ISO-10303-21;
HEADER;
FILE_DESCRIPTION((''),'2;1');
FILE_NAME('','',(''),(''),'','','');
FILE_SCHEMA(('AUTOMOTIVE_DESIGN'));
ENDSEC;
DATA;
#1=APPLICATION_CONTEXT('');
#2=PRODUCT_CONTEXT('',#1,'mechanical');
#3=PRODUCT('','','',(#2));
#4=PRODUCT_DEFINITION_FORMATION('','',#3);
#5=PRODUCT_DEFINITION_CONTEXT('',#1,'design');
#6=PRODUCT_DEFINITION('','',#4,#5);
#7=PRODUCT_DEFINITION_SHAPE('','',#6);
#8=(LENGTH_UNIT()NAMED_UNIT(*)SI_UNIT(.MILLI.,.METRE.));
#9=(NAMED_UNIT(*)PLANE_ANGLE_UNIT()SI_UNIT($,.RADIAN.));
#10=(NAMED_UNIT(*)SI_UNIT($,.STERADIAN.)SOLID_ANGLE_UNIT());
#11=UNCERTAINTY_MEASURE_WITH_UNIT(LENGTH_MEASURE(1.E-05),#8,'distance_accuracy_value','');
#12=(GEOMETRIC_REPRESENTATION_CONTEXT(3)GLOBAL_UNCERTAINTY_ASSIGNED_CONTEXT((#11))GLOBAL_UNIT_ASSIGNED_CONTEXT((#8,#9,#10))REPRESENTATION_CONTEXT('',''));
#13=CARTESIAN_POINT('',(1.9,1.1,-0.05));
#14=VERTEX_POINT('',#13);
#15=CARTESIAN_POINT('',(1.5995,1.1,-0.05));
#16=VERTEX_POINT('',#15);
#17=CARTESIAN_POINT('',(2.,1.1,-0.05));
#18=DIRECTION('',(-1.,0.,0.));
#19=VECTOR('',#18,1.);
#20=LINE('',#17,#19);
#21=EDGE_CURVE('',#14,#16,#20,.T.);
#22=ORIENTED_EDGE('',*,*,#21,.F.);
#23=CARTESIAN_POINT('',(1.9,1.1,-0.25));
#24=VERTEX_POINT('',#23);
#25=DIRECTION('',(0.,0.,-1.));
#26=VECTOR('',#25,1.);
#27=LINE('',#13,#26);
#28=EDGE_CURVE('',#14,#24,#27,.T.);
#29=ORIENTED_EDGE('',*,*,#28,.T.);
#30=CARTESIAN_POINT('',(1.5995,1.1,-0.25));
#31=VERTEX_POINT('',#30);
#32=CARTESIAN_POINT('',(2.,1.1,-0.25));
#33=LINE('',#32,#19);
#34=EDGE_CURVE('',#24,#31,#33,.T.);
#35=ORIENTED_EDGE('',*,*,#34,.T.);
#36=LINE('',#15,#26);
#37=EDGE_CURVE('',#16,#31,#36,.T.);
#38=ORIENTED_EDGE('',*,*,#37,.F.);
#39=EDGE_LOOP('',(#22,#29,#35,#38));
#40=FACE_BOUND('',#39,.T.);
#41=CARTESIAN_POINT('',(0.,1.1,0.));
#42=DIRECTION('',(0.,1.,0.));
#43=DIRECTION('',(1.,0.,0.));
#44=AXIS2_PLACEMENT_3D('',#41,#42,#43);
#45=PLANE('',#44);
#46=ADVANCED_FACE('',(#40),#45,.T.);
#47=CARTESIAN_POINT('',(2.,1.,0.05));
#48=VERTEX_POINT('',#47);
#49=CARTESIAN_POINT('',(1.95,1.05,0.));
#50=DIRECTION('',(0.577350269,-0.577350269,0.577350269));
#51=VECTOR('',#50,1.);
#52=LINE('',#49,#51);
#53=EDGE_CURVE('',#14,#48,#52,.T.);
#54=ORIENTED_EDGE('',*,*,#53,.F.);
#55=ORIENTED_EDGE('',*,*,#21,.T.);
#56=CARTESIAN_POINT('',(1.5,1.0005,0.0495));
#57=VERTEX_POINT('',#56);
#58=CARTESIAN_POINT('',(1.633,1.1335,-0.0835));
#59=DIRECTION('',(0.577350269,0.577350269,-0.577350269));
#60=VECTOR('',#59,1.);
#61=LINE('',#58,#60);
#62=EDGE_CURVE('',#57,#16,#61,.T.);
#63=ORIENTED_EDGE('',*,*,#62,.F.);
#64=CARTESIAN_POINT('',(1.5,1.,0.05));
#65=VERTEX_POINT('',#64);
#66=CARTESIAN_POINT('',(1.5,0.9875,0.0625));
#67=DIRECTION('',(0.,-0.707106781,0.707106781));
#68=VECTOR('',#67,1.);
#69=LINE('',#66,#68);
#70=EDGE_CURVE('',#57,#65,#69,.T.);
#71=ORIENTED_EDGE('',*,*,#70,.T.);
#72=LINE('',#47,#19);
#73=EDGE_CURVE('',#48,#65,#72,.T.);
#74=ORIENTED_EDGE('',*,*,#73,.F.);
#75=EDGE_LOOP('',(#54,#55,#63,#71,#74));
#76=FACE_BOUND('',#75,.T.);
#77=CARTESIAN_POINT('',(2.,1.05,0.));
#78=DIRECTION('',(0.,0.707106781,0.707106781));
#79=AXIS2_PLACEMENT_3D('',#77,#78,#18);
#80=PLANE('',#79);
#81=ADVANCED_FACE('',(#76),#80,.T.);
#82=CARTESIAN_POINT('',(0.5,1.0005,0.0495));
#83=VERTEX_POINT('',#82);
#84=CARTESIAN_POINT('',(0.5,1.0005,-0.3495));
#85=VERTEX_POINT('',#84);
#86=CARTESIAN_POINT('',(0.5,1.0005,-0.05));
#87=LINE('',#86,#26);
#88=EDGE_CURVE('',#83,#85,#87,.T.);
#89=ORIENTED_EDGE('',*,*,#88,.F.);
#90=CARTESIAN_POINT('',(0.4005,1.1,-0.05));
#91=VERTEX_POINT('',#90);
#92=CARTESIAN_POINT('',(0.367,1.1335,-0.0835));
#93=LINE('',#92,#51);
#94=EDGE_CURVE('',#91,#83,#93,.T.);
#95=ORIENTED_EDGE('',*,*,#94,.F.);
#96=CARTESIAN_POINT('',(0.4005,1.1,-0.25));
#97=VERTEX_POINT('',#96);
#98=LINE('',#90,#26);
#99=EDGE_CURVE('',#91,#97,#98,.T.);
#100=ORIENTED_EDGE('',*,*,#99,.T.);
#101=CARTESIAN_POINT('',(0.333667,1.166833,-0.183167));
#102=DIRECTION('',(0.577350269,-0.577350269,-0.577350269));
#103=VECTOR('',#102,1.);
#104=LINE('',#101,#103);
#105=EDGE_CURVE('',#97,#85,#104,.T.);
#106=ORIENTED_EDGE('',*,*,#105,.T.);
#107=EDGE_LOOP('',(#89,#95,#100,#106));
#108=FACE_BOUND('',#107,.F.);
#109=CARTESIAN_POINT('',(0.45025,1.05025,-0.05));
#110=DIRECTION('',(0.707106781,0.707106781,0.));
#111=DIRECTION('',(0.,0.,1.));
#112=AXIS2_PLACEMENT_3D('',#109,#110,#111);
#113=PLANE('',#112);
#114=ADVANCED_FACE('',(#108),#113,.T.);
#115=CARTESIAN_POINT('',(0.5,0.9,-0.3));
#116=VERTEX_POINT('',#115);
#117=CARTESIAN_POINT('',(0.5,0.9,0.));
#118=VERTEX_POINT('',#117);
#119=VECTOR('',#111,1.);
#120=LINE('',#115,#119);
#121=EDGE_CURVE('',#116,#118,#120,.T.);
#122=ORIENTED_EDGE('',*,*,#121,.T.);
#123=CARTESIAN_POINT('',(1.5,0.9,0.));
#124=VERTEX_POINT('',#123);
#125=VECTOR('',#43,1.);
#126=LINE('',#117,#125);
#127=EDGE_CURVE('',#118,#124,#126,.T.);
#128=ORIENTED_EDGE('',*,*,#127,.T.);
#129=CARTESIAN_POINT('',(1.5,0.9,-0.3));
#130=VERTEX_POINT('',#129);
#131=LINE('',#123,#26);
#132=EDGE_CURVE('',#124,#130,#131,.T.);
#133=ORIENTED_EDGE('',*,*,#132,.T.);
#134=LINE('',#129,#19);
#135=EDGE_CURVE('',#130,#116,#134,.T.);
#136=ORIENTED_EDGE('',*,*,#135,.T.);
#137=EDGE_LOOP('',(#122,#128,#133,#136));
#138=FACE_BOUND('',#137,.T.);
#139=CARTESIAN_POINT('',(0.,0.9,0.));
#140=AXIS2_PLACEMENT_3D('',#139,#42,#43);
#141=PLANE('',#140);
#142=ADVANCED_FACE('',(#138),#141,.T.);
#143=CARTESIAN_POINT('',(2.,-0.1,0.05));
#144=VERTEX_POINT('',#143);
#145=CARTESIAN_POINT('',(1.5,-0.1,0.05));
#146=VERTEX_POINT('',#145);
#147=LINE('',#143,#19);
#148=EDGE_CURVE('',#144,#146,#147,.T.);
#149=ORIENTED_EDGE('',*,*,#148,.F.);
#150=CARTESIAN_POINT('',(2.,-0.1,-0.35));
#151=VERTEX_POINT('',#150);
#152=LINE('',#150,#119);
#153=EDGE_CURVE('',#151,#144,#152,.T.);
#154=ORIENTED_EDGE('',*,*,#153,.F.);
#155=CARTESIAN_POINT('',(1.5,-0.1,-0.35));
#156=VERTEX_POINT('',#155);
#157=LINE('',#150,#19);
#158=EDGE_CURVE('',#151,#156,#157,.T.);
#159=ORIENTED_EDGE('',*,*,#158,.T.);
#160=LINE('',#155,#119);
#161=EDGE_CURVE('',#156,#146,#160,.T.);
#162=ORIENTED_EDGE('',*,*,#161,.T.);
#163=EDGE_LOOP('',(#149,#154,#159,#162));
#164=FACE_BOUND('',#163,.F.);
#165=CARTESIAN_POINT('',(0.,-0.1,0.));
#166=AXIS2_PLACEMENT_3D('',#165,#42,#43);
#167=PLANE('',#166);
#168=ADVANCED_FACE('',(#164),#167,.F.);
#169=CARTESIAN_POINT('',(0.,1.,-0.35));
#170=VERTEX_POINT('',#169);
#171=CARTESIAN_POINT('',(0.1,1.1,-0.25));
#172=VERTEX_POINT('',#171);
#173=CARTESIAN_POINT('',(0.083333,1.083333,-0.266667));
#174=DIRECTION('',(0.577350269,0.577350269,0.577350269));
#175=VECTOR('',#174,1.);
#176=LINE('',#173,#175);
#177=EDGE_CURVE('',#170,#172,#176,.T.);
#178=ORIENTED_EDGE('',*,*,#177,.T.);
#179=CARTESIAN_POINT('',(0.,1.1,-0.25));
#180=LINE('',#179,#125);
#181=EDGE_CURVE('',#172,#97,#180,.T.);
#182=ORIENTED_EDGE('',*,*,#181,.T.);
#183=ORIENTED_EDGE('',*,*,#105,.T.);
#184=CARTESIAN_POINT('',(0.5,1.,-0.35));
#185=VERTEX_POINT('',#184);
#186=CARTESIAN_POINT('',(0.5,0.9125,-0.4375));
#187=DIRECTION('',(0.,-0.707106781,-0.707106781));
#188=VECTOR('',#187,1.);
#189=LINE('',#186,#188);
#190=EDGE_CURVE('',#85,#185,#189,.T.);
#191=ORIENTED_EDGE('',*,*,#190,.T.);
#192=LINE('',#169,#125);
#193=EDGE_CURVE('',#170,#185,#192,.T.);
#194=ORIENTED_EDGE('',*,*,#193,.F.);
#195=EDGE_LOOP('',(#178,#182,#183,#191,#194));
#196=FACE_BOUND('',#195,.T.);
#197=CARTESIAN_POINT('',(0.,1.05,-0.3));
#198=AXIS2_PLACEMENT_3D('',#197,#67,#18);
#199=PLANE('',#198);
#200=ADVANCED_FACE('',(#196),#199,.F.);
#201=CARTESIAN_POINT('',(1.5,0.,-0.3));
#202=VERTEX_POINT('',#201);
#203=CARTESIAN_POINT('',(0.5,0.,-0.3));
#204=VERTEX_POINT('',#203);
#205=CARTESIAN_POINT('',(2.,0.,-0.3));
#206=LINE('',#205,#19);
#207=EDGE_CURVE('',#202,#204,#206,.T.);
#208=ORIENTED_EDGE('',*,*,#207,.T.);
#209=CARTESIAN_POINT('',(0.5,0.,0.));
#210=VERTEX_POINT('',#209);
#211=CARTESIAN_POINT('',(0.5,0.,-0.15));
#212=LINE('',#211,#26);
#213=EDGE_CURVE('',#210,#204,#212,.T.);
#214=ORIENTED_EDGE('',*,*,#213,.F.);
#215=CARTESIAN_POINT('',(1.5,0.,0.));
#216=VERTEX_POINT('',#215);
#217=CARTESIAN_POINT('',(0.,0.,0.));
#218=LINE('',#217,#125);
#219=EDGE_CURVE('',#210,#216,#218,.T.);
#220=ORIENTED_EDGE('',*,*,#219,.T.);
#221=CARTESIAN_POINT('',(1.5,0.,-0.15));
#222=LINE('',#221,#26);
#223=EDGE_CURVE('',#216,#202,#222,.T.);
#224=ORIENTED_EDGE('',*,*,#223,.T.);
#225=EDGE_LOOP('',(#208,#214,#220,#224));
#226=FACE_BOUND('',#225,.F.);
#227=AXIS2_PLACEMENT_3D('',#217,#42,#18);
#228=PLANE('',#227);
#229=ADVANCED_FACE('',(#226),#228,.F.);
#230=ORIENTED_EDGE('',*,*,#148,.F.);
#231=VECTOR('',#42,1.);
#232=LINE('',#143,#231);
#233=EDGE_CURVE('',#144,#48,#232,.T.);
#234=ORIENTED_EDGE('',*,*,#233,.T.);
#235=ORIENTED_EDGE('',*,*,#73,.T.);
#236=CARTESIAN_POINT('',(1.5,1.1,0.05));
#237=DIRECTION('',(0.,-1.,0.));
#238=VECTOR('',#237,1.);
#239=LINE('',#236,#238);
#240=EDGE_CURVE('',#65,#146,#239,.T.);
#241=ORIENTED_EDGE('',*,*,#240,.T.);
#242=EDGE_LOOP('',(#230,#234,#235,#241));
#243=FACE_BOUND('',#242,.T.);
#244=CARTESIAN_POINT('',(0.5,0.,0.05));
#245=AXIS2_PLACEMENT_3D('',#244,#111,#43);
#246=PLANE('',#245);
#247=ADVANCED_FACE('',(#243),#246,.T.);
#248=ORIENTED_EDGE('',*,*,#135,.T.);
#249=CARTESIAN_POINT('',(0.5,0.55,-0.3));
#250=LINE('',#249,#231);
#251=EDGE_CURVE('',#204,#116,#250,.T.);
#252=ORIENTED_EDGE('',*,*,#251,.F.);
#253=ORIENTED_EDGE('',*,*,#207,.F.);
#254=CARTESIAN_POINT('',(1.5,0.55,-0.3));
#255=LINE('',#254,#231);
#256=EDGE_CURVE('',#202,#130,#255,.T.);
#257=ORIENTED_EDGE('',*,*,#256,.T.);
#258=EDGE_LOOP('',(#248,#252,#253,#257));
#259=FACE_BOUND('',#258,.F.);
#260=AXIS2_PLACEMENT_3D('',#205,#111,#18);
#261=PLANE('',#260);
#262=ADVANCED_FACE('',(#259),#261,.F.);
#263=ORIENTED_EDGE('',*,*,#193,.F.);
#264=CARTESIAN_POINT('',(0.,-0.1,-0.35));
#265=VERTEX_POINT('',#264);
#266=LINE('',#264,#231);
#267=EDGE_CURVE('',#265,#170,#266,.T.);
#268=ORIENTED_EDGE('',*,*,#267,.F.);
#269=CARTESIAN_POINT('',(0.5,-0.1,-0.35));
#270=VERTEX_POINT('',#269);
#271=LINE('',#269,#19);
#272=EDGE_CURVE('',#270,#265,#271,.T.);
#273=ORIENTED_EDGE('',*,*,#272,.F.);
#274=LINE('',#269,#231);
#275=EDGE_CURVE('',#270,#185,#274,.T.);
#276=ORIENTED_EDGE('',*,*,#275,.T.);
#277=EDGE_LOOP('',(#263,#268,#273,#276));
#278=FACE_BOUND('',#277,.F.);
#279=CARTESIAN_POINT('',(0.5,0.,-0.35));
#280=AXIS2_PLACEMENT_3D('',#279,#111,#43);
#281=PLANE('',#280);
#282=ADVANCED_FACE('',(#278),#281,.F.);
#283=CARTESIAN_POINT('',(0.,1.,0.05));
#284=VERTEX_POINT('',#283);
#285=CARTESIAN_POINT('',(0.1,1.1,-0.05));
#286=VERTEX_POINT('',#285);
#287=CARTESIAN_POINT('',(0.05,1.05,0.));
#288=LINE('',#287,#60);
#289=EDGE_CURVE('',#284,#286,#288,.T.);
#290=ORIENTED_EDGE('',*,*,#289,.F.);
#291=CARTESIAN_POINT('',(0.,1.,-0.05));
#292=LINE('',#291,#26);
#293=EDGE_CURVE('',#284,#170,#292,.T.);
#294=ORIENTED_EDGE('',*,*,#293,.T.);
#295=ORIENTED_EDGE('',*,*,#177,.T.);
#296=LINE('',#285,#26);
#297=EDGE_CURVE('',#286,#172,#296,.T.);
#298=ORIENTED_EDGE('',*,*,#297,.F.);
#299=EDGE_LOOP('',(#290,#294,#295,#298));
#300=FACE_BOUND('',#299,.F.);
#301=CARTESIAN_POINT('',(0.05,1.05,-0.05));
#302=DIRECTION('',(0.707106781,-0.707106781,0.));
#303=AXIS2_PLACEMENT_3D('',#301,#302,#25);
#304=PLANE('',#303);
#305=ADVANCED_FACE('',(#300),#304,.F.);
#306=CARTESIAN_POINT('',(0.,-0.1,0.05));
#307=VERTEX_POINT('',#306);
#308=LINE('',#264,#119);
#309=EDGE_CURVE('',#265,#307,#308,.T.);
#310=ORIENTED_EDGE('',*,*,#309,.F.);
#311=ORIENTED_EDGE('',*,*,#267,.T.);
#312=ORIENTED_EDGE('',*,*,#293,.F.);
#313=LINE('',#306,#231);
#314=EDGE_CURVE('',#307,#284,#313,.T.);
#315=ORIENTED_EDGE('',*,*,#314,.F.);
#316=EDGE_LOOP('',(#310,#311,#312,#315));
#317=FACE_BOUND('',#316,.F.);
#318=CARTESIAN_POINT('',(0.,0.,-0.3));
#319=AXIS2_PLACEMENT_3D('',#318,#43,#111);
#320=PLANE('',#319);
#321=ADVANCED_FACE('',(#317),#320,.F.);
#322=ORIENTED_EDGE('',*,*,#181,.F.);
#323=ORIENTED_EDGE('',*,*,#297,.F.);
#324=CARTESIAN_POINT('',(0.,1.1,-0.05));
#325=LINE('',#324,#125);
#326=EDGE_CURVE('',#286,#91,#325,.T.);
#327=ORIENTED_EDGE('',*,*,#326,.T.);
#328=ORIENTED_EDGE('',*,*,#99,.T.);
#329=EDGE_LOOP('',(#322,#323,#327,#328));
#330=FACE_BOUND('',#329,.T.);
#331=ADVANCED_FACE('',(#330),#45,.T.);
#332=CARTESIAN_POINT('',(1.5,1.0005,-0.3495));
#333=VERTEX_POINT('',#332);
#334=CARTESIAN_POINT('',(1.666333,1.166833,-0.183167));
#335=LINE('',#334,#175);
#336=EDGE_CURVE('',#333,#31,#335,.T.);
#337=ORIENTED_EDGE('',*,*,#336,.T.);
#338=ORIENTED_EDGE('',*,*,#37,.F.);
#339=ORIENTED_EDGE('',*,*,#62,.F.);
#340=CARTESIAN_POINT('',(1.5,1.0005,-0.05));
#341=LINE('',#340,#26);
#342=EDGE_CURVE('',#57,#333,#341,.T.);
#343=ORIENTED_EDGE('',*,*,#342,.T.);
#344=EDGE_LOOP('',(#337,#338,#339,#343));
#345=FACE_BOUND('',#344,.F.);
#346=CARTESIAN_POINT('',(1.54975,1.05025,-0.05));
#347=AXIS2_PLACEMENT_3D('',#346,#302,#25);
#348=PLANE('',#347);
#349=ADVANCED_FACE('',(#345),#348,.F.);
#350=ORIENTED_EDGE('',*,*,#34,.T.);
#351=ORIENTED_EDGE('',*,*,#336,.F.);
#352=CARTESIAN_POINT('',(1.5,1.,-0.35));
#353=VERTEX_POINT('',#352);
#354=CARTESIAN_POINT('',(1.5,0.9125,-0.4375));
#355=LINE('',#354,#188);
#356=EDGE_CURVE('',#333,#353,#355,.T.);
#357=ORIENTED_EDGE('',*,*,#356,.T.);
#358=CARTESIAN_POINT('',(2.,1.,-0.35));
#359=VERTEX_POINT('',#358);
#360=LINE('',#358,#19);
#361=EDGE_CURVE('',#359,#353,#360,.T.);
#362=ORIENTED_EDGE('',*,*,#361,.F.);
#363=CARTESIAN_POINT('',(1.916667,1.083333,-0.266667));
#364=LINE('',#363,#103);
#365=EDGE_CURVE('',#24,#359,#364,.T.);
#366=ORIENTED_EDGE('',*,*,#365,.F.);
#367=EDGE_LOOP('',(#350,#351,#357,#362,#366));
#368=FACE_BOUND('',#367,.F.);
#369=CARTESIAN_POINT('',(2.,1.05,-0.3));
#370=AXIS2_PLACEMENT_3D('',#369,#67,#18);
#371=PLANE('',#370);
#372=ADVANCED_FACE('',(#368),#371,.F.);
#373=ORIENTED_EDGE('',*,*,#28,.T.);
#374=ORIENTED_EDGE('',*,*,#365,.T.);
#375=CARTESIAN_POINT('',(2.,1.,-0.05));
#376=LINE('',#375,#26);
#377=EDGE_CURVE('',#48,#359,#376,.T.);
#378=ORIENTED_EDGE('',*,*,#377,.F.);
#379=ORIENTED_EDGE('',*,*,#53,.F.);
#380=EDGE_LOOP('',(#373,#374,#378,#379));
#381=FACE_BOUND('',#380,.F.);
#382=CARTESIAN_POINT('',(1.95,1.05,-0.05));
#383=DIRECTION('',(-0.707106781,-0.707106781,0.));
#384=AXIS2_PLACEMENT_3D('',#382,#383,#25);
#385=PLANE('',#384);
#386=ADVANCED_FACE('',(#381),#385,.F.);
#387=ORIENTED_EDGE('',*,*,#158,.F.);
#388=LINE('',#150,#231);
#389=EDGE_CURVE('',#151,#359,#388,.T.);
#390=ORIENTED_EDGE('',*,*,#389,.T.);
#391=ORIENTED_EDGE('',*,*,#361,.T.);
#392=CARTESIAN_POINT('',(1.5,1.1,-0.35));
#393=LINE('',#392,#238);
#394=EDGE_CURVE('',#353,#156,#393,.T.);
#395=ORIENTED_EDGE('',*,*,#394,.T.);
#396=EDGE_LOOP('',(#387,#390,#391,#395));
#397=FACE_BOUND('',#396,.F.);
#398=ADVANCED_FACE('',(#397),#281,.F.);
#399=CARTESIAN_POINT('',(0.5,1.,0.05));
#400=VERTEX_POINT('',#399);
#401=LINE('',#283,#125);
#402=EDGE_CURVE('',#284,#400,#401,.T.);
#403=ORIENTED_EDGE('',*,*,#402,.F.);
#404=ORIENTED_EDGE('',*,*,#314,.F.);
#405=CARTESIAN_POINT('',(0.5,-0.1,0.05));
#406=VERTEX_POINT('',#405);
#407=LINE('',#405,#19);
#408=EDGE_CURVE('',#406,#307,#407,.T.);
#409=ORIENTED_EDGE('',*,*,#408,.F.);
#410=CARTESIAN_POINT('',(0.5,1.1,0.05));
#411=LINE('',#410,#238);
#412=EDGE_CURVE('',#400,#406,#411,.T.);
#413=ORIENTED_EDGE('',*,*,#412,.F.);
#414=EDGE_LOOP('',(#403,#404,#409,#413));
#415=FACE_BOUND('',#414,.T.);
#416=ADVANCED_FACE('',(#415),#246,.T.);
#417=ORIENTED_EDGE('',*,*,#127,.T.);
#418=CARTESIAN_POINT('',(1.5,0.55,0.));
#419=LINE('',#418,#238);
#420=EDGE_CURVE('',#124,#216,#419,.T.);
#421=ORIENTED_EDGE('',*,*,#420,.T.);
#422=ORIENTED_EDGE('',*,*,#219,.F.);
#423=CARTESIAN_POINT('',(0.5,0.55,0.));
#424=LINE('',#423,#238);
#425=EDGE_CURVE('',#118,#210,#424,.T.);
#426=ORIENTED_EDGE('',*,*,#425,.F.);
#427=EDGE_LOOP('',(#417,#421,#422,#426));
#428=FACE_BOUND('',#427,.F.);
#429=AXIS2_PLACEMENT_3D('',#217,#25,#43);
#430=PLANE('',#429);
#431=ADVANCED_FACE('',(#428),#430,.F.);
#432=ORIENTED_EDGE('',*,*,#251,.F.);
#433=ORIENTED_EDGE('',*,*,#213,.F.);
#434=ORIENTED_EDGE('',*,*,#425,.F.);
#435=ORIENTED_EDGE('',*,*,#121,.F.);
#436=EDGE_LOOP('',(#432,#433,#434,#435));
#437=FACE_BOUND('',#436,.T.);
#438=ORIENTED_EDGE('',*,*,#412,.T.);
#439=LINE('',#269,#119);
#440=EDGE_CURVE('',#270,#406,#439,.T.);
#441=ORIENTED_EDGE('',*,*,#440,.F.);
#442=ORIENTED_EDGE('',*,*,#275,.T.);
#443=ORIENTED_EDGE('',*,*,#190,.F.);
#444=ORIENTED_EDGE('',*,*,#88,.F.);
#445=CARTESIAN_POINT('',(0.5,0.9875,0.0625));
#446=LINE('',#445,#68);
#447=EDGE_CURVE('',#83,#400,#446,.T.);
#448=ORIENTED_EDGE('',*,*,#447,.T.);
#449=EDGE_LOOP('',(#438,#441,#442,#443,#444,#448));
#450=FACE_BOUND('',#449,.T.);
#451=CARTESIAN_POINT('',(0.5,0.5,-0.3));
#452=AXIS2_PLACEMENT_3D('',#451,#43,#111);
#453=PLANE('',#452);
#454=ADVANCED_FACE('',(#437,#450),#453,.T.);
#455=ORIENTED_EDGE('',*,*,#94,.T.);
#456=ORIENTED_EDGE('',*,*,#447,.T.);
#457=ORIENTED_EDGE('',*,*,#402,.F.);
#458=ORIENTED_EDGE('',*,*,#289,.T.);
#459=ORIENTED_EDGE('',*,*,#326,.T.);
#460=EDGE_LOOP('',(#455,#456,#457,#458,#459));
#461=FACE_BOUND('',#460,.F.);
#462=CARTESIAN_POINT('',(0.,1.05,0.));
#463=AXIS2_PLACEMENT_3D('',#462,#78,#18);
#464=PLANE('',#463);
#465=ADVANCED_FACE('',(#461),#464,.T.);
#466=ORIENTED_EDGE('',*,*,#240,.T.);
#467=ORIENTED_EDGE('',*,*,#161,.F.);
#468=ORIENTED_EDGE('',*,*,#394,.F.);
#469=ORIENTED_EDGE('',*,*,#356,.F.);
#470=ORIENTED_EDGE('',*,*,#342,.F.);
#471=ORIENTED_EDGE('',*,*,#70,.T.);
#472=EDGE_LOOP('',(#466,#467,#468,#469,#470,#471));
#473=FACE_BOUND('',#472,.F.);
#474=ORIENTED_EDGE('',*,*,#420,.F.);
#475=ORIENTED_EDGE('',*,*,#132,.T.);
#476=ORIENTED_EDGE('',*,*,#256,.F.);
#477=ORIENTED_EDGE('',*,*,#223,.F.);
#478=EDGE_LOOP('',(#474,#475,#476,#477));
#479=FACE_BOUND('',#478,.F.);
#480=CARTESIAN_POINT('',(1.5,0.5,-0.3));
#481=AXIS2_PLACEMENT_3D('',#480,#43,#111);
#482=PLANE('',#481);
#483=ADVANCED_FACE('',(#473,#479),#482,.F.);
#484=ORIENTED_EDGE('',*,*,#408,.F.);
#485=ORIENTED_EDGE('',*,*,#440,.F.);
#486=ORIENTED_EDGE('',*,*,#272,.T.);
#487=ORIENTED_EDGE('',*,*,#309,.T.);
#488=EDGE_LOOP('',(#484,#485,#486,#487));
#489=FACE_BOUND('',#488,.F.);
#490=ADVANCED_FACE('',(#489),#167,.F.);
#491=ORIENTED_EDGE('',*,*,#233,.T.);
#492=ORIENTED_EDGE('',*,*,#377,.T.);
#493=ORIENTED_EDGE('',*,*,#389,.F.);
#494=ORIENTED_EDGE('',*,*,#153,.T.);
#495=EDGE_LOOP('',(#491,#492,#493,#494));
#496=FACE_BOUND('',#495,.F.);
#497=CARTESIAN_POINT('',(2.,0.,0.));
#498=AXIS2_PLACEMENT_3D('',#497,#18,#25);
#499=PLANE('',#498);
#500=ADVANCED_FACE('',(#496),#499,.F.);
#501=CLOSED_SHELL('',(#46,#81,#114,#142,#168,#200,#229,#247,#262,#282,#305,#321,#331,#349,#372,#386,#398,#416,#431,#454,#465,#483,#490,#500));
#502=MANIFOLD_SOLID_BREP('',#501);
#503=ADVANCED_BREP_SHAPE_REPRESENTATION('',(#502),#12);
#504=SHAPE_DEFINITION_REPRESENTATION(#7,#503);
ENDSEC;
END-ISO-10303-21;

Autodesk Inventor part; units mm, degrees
ref_plane "YZ Plane" through (0, 0, 0) normal (1, 0, 0) x (0, 1, 0)
sketch "Sketch1" plane through (0, 0, 0) normal (0, 1, 0) x (-1, 0, 0)
  line L0 (0, 0) -> (-2, 0)
  line L1 (-2, 0) -> (-2, -0.3)
  line L2 (-2, -0.3) -> (0, -0.3)
  line L3 (0, -0.3) -> (0, 0)
  dimension "d0" = 2
  dimension "d3" = 0.3
extrude "Extrusion1" add sketch "Sketch1" along normal blind 1
ref_plane "Work Plane1" through (0, 0.5, 0) normal (0, 1, 0) x (1, 0, 0)
sketch "Sketch3" plane through (0, 0.5, 0) normal (0, 1, 0) x (1, 0, 0)
  line L0 (2, 0.3) -> (0, 0.3) projected
  line L1 (0, 0) -> (2, 0) projected
  line L2 (0, 0.3) -> (0.5, 0.3)
  line L3 (0.5, 0.3) -> (0.5, 0)
  line L4 (0.5, 0) -> (0, 0)
  line L5 (0, 0) -> (0, 0.3)
  line L6 (2, 0) -> (2, 0.3) projected
  line L7 (2, 0.3) -> (1.5, 0.3)
  line L8 (1.5, 0.3) -> (1.5, 0)
  line L9 (1.5, 0) -> (2, 0)
  line L10 (2, 0) -> (2, 0.3)
  dimension "d7" = 0.5
  dimension "d8" = 0.5
extrude "Extrusion2" add sketch "Sketch3" along normal mid plane 1.2 contours L6 L1 L8 L0 | L3 L1 L5 L0
ref_plane "Work Plane2" through (0.5, 0, -0.15) normal (0, 0, 1) x (1, 0, 0)
sketch "Sketch4" plane through (0.5, 0, -0.15) normal (0, 0, 1) x (1, 0, 0)
  line L0 (-0.5, -0.1) -> (-0.5, 1.1) projected
  line L1 (0, -0.1) -> (0, 0) projected
  line L2 (-0.5, 1.1) -> (0, 1.1)
  line L3 (0, 1.1) -> (0, -0.1)
  line L4 (0, -0.1) -> (-0.5, -0.1)
  line L5 (-0.5, -0.1) -> (-0.5, 1.1)
  line L6 (1.5, -0.1) -> (1, -0.1) projected
  line L7 (1.5, -0.1) -> (1.5, 1.1) projected
  line L8 (1, -0.1) -> (1.5, -0.1)
  line L9 (1.5, -0.1) -> (1.5, 1.1)
  line L10 (1.5, 1.1) -> (1, 1.1)
  line L11 (1, 1.1) -> (1, -0.1)
  point P0 (-0.5, 0)
extrude "Extrusion3" add sketch "Sketch4" along normal mid plane 0.4
chamfer "Chamfer1" distance 0.1 angle 45 4 edges at (0.25, 1.1, 0.05) (0.25, 1.1, -0.35) (1.75, 1.1, 0.05) (1.75, 1.1, -0.35)
chamfer "Chamfer2" distance 0.1 angle 45 2 edges at (0, 1.1, -0.15) (2, 1.1, -0.15)
chamfer "Chamfer3" distance 0.1 angle 45 2 edges at (0.5, 1.1, -0.15) (1.5, 1.1, -0.15)
sketch "Sketch5" plane through (0, 1, 0) normal (0, 1, 0) x (1, 0, 0)
  line L0 (0.5, -0.05) -> (0.5, 0) projected
  line L1 (1.5, 0.3) -> (0.5, 0.3) projected
  line L2 (0.5, 0) -> (1.5, 0)
  line L3 (1.5, 0) -> (1.5, 0.3)
  line L4 (1.5, 0.3) -> (0.5, 0.3)
  line L5 (0.5, 0.3) -> (0.5, 0)
  point P0 (0, 0)
extrude "Extrusion4" cut sketch "Sketch5" against normal blind 0.1
properties part number "Wall"
